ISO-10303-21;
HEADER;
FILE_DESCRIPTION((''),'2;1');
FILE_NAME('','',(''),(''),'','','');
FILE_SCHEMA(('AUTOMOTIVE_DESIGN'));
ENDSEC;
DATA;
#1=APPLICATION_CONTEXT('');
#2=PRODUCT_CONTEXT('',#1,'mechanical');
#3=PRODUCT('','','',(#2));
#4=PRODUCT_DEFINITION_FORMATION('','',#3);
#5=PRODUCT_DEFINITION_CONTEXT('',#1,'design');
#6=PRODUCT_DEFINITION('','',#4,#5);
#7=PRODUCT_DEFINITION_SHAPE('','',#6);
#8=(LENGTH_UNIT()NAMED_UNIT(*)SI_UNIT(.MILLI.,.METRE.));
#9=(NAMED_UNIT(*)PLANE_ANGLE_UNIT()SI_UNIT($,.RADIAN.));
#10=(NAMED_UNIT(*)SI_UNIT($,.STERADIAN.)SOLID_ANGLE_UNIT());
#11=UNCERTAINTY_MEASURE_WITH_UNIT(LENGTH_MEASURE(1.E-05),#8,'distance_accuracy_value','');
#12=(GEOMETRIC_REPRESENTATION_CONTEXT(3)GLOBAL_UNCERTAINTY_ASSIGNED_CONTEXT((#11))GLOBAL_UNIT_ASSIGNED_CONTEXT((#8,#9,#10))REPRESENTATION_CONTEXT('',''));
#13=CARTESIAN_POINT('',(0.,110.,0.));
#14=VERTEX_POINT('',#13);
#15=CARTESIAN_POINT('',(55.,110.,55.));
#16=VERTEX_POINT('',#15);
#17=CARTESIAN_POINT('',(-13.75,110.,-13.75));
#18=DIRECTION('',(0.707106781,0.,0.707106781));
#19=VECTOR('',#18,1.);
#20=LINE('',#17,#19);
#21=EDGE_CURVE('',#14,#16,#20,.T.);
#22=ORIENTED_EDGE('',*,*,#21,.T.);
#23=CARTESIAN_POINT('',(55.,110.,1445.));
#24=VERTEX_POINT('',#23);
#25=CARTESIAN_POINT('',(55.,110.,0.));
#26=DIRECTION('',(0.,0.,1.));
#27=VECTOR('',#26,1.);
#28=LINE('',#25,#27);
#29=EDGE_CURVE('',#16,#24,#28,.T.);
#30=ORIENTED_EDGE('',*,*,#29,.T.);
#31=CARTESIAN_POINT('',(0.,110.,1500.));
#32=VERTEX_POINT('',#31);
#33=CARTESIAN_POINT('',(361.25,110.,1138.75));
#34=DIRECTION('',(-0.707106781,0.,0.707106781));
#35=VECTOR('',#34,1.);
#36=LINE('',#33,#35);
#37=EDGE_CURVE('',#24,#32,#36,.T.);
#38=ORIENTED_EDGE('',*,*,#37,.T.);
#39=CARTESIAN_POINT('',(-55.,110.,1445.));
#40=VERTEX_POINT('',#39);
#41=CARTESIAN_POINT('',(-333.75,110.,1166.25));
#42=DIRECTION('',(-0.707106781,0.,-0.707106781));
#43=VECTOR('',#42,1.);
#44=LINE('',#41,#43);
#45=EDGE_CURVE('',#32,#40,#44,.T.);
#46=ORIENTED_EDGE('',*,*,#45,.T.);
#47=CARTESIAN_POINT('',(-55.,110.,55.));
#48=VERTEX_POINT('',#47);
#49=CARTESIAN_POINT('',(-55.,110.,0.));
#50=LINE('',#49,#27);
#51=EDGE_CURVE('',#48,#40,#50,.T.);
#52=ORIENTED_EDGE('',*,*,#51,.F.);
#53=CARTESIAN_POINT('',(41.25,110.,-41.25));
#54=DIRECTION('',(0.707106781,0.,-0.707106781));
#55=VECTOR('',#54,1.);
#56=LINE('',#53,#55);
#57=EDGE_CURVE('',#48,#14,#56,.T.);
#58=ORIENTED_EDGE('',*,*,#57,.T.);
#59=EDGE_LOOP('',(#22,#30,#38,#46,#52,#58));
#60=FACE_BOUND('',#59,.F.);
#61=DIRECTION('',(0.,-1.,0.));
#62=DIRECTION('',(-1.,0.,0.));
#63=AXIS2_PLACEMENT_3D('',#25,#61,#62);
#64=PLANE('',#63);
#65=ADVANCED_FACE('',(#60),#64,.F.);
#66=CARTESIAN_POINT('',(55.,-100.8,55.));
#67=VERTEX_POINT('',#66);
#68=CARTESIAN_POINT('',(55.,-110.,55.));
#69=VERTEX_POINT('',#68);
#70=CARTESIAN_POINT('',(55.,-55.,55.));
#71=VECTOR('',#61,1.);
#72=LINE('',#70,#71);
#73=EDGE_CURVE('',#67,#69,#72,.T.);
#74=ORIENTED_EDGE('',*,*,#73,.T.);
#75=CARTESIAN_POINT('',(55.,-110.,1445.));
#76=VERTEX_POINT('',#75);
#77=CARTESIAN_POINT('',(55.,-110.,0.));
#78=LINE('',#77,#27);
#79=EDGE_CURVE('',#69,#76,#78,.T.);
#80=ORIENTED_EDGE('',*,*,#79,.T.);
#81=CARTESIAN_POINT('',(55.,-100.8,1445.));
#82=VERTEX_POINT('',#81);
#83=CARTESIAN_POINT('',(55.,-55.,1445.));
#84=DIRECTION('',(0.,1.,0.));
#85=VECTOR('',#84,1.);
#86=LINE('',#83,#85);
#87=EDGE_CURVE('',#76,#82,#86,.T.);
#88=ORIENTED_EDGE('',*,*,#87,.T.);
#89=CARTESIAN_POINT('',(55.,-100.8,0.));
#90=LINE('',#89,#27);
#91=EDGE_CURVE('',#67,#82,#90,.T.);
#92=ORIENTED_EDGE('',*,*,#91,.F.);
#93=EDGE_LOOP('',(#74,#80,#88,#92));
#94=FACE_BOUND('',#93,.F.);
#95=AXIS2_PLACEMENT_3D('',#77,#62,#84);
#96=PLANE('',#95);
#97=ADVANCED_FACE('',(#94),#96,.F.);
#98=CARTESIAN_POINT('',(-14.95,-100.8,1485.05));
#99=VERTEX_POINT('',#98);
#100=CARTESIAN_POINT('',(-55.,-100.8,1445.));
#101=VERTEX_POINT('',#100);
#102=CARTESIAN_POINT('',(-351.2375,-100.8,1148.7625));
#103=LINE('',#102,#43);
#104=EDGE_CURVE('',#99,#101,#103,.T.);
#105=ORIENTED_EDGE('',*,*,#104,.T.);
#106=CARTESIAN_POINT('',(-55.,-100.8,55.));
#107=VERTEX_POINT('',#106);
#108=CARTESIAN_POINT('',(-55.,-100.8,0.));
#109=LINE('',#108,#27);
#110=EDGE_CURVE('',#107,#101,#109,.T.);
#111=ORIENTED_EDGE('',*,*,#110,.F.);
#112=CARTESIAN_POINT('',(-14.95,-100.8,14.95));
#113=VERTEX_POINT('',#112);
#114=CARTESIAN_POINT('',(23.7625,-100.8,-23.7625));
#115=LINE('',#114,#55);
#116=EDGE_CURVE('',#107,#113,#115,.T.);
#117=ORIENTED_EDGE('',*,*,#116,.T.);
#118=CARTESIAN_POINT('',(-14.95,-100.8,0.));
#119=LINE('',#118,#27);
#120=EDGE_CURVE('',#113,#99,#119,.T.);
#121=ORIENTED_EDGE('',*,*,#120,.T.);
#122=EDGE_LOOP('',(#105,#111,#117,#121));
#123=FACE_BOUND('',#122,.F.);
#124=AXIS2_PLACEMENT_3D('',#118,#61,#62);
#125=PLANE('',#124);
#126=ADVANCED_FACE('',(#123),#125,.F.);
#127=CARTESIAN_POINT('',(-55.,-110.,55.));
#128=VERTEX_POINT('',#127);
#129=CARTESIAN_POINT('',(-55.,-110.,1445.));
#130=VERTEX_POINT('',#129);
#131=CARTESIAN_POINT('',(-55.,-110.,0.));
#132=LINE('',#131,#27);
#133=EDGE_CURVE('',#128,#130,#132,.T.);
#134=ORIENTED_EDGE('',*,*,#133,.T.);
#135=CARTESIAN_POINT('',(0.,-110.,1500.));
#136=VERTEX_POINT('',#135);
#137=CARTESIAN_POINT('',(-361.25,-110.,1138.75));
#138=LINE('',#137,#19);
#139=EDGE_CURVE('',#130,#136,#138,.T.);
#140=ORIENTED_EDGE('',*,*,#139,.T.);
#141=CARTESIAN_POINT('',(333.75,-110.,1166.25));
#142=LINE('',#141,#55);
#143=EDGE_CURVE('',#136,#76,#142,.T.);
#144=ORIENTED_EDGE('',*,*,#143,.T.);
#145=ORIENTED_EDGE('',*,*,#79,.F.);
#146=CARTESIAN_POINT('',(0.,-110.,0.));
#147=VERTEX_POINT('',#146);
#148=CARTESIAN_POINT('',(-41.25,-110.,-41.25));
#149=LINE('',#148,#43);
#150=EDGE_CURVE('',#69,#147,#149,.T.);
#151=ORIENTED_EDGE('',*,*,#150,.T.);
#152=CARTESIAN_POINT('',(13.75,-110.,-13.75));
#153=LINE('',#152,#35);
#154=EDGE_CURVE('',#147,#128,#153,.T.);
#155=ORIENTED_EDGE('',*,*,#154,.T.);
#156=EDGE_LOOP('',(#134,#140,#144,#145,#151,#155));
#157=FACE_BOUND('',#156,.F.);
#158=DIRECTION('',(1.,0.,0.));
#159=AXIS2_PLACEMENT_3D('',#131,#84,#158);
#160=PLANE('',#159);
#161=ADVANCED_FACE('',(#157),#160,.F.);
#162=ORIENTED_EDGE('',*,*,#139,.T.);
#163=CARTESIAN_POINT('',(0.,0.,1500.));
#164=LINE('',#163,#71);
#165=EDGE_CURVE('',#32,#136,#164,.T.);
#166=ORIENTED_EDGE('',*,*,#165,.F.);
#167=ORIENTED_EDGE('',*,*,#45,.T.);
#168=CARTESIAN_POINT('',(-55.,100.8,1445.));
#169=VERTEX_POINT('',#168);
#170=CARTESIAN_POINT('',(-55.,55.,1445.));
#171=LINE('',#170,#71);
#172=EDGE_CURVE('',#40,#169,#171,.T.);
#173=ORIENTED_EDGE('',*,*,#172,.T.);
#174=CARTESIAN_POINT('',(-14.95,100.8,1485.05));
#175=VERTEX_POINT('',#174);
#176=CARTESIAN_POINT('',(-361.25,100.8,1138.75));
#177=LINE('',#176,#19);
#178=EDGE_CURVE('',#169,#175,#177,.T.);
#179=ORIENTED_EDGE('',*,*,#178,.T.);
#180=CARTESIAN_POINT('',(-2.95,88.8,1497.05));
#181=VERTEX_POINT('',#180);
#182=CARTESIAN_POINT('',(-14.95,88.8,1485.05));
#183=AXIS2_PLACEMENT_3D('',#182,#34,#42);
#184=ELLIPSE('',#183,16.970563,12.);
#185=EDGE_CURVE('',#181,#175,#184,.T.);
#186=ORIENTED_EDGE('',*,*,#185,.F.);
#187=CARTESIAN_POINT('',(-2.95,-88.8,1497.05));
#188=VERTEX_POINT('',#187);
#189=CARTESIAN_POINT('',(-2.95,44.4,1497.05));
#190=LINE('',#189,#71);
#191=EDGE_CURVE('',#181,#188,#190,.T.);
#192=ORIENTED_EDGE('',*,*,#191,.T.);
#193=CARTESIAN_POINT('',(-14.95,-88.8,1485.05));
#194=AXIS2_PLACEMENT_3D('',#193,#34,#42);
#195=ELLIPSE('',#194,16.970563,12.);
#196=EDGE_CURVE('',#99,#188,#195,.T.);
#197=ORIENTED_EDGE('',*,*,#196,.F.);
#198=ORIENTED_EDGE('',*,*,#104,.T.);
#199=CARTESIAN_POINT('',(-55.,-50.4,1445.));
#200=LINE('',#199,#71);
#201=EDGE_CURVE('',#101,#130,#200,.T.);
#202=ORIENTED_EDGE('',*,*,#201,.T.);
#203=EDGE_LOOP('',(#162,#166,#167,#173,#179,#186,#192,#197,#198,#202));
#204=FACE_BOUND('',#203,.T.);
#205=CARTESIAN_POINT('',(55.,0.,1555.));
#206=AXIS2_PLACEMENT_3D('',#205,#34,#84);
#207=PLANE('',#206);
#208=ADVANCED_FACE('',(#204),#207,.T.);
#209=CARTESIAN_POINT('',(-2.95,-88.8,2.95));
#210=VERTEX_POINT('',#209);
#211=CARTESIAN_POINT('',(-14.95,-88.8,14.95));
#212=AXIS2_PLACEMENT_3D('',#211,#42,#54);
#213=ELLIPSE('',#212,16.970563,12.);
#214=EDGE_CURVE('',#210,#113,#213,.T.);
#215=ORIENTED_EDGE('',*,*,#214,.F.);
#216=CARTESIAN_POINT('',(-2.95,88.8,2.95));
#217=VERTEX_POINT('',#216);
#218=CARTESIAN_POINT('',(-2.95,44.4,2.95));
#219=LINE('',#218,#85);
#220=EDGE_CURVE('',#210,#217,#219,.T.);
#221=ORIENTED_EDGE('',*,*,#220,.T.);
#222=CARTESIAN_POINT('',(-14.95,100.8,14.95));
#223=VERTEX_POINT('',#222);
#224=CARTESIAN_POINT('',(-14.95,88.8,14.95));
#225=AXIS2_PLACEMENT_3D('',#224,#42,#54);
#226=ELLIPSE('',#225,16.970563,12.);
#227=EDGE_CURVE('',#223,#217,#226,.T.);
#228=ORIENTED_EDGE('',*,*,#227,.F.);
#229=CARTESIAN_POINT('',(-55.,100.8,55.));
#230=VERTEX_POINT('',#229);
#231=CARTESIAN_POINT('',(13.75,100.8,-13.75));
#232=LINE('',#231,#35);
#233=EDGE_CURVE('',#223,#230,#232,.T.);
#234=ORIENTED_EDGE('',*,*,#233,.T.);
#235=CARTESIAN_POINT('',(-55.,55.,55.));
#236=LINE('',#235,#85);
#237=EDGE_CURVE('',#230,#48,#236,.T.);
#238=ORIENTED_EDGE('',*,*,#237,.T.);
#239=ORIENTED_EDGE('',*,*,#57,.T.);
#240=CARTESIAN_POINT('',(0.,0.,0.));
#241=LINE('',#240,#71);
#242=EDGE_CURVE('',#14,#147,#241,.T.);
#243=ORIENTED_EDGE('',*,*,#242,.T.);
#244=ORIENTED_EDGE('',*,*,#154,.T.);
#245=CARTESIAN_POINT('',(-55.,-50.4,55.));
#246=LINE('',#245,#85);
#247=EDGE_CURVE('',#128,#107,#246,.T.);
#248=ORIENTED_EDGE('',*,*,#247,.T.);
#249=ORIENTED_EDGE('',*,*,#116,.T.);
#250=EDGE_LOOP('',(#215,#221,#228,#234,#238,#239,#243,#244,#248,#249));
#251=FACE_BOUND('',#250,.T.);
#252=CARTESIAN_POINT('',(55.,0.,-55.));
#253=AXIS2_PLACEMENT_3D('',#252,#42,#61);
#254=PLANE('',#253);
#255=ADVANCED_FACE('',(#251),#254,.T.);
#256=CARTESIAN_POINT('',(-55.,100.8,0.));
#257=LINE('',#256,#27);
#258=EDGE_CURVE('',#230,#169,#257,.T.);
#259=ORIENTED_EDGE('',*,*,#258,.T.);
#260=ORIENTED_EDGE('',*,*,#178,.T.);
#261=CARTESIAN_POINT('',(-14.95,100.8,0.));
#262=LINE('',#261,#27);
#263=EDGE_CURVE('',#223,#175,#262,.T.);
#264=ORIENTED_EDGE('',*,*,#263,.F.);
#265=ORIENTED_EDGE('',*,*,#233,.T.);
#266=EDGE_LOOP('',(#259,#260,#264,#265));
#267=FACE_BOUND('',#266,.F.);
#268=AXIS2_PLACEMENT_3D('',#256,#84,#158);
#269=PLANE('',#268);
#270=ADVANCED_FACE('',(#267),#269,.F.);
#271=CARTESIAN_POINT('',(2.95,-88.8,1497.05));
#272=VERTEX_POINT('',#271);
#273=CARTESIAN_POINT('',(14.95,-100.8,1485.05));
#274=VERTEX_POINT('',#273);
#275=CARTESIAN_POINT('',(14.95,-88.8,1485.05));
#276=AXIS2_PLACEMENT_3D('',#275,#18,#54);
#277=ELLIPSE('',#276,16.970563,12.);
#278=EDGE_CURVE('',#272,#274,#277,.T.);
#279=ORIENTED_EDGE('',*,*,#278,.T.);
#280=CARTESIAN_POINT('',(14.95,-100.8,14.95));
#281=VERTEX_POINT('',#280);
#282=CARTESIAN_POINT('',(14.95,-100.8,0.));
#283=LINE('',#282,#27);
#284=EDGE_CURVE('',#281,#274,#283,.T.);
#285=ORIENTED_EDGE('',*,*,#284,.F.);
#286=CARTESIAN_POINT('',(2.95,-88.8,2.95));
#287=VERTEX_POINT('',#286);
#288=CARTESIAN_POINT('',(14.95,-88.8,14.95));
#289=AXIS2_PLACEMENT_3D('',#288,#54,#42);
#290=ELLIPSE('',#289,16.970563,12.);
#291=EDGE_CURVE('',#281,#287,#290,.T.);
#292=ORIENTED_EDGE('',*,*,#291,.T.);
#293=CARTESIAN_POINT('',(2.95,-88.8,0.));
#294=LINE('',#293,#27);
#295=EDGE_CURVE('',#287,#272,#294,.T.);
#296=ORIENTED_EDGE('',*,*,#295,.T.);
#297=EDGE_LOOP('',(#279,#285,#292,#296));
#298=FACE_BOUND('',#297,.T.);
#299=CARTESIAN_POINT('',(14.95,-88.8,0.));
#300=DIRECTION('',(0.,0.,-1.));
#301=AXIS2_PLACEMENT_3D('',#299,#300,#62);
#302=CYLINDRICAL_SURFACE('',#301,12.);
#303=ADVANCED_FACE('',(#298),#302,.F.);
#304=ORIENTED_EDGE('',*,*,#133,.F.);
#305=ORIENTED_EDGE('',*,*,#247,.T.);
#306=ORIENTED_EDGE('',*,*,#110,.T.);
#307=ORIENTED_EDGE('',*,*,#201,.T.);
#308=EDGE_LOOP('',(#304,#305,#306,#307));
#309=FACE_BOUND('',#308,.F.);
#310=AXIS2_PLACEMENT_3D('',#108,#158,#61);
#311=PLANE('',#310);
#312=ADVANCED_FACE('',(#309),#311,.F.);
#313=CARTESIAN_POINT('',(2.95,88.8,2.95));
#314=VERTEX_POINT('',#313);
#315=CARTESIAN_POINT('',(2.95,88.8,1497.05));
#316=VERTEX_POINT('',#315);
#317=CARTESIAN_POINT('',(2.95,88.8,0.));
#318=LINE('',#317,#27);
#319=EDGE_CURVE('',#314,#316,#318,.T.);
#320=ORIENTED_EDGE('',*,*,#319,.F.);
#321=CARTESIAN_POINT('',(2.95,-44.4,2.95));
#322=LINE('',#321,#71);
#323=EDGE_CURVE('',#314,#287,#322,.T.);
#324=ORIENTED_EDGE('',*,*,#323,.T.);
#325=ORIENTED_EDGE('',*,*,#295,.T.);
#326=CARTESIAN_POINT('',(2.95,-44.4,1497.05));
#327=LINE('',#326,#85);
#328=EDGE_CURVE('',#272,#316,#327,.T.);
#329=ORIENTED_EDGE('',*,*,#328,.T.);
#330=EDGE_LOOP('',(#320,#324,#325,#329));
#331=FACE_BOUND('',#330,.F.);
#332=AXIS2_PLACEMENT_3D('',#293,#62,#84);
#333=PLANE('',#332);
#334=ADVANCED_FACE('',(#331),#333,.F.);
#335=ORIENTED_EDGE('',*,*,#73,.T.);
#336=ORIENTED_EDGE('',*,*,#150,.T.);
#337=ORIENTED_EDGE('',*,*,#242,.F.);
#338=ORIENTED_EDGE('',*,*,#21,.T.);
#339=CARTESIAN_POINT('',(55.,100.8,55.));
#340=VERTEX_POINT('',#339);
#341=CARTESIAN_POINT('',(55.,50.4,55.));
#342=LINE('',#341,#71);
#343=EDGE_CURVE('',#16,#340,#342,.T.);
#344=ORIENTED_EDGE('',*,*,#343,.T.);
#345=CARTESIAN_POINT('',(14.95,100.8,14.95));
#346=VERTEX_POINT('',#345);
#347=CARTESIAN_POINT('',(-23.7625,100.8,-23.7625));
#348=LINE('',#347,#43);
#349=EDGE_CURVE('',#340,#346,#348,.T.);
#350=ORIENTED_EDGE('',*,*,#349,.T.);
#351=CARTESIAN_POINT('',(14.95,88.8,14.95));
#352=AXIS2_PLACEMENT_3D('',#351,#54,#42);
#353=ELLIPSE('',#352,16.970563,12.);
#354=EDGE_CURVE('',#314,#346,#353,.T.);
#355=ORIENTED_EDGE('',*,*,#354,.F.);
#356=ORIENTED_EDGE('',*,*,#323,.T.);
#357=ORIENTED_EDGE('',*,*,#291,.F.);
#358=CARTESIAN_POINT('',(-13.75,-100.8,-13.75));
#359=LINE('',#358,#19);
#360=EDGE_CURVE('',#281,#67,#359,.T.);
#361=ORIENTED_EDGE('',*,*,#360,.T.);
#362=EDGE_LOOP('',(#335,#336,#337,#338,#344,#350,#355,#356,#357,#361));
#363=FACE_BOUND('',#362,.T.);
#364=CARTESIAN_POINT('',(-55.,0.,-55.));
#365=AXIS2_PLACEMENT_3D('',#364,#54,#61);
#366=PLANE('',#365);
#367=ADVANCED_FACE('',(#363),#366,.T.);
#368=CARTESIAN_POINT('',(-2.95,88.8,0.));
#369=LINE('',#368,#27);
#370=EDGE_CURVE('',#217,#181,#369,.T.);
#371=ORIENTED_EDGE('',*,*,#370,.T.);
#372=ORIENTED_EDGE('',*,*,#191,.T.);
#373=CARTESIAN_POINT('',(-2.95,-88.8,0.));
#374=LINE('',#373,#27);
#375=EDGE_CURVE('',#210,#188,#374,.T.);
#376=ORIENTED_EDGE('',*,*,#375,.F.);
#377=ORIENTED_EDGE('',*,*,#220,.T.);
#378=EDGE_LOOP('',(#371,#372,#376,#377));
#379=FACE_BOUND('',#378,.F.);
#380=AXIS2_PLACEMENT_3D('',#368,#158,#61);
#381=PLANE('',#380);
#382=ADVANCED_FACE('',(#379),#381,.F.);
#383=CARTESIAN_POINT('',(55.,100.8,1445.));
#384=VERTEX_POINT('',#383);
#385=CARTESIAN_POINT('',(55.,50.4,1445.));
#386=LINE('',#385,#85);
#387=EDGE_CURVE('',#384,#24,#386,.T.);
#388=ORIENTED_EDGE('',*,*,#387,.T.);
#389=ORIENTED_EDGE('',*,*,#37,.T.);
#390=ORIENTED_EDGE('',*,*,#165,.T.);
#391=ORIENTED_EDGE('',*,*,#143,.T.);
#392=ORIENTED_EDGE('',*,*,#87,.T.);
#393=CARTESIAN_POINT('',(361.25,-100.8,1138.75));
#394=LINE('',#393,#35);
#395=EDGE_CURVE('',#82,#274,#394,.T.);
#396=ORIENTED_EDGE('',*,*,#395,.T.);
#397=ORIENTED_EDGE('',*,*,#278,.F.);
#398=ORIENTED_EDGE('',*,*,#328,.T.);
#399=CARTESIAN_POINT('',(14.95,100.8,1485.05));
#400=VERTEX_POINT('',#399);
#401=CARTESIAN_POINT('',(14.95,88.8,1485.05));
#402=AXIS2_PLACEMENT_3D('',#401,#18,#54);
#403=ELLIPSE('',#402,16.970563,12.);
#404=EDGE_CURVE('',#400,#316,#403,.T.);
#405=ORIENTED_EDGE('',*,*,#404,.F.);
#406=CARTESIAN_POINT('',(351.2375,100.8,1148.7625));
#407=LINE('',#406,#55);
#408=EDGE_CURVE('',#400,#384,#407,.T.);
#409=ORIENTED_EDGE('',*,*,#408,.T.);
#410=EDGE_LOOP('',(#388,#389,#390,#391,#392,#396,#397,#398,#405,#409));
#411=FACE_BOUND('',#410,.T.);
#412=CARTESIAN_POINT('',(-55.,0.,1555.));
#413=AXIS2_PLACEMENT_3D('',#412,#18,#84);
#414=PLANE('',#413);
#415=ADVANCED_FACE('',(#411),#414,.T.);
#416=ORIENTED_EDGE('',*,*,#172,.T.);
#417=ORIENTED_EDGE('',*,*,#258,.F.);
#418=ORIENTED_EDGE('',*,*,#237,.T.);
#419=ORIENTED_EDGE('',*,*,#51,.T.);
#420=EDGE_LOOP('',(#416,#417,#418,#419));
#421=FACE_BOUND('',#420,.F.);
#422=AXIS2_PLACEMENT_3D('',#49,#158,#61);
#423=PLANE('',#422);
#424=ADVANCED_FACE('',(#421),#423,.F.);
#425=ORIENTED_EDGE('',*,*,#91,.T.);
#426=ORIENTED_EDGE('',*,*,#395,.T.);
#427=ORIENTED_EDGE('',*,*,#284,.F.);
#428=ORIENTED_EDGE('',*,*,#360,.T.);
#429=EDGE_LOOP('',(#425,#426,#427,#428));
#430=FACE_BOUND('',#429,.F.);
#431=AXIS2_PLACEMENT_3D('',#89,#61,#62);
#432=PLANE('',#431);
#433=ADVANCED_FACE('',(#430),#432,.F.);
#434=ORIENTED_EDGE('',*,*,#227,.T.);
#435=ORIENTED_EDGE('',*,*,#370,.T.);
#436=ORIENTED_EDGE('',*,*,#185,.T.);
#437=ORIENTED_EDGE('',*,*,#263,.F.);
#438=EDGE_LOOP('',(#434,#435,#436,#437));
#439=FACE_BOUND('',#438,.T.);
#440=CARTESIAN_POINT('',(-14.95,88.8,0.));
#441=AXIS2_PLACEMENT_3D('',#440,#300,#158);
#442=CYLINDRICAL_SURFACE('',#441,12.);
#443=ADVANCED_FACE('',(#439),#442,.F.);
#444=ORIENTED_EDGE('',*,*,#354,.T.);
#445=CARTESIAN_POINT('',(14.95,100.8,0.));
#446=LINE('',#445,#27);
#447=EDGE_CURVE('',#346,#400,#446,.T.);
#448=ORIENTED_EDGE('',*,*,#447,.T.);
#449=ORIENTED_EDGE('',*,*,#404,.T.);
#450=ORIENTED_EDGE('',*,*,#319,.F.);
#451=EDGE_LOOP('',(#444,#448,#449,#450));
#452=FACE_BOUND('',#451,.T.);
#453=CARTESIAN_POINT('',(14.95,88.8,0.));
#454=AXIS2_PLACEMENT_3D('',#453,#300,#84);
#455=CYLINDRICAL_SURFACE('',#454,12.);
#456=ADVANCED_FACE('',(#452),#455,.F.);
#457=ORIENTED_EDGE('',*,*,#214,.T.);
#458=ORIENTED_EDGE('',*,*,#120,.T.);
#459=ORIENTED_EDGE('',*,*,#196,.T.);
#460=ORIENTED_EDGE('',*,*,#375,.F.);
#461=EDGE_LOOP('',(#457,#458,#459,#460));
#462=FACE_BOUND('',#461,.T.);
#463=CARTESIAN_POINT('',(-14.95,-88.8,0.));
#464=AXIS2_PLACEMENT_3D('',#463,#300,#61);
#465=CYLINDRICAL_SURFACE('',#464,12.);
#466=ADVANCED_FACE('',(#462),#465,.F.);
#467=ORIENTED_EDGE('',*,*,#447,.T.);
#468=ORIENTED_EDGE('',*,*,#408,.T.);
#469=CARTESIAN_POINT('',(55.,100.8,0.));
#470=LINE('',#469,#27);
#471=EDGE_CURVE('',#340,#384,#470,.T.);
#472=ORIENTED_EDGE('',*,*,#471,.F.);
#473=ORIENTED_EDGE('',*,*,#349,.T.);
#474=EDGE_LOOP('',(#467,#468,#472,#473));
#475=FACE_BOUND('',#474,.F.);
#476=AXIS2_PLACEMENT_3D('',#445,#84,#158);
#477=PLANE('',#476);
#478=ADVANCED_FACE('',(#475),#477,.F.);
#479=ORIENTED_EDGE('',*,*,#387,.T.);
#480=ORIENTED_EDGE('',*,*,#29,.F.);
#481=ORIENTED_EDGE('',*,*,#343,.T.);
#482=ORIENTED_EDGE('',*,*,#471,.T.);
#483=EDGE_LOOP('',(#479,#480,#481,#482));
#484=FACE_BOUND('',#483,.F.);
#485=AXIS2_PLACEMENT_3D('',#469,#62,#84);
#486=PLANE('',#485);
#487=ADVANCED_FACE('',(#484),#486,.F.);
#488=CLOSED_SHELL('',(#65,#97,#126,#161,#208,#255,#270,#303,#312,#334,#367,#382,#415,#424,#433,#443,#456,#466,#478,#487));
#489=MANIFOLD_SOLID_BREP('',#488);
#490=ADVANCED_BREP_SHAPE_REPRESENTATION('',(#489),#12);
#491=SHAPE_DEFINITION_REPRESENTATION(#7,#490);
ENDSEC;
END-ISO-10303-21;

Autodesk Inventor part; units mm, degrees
ref_plane "Start plane" through (0, 0, 0) normal (0, 0, 1) x (1, 0, 0)
ref_plane "End plane" through (0, 0, 1500) normal (0, 0, 1) x (1, 0, 0)
sketch "Sketch2" plane through (0, 0, 0) normal (0, 0, 1) x (1, 0, 0)
  line L0 (-55, 100.8) -> (-14.95, 100.8)
  line L1 (-55, 110) -> (-55, 100.8)
  line L2 (55, 110) -> (-55, 110)
  line L3 (55, 100.8) -> (55, 110)
  line L4 (14.95, 100.8) -> (55, 100.8)
  line L5 (2.95, -88.8) -> (2.95, 88.8)
  line L6 (55, -100.8) -> (14.95, -100.8)
  line L7 (55, -110) -> (55, -100.8)
  line L8 (-55, -100.8) -> (-55, -110)
  line L9 (-14.95, -100.8) -> (-55, -100.8)
  line L10 (-2.95, 88.8) -> (-2.95, -88.8)
  line L11 (0, -154) -> (0, 154) construction
  line L12 (-2.95, -100.8) -> (2.95, -100.8) construction
  arc A0 (-14.95, -100.8) -> (-2.95, -88.8) centre (-14.95, -88.8) ccw
  arc A1 (-2.95, 88.8) -> (-14.95, 100.8) centre (-14.95, 88.8) ccw
  arc A2 (14.95, 100.8) -> (2.95, 88.8) centre (14.95, 88.8) ccw
  arc A3 (2.95, -88.8) -> (14.95, -100.8) centre (14.95, -88.8) ccw
  line L13 (-77, 0) -> (77, 0) construction
  line L14 (-55, -110) -> (55, -110)
  point P0 (-2.95, 100.8)
  point P1 (2.95, 100.8)
  point P2 (0, 0)
  point P3 (0, -100.8)
  point P4 (0, 0)
  dimension "d1" = 220
  dimension "d3" = 9.2
  dimension "d5" = 5.9
  dimension "d7" = 110
  dimension "d13" = 12
  dimension "d14" = 110
  dimension "d15" = 55
extrude "Body" add sketch "Sketch2" along normal up to surface (1500 mm away) from surface at 0
sketch "Sketch3" plane through (0, 0, 0) normal (0, 0, 1) x (1, 0, 0)
  line L0 (0, 0) -> (10, 0)
ref_plane "Work Plane3" through (0, 0, 0) normal (0, -1, 0) x (1, 0, 0)
ref_plane "Work Plane4" through (55, 0, -55) normal (-0.7071, 0, -0.7071) x (-0.7071, 0, 0.7071)
split "Split1" plane through (55, 0, -55) removes the side toward (-0.7071, 0, -0.7071)
ref_plane "Work Plane5" through (55, 0, 1555) normal (-0.7071, 0, 0.7071) x (0.7071, 0, 0.7071)
split "Split2" plane through (55, 0, 1555) removes the side toward (-0.7071, 0, 0.7071)
ref_plane "Work Plane6" through (-55, 0, 1555) normal (0.7071, 0, 0.7071) x (0.7071, 0, -0.7071)
split "Split3" plane through (-55, 0, 1555) removes the side toward (0.7071, 0, 0.7071)
ref_plane "Work Plane7" through (-55, 0, -55) normal (0.7071, 0, -0.7071) x (-0.7071, 0, -0.7071)
split "Split4" plane through (-55, 0, -55) removes the side toward (0.7071, 0, -0.7071)
sketch "Sketch4" plane through (0, 0, 0) normal (0, -1, 0) x (1, 0, 0)
  line L0 (-2, 0) -> (12, 0) projected
  line L1 (-2, 1500) -> (12, 1500) projected
  dimension "d19" = 1500
equation "\"d1\" = ParH"
equation "\"d3\" = t2"
equation "\"d5\" = t1"
equation "\"d7\" = b"
equation "\"d13\" = R1"
equation "\"d14\" = 0.5 * d1"
equation "\"d15\" = 0.5 * d7"
equation "\"d8\" = G_L"
equation "\"b\" = 110"
equation "\"ParH\" = 220"
equation "\"R1\" = 12"
equation "\"G_L\" = d19"
equation "\"t1\" = 5.9"
equation "\"t2\" = 9.2"
equation "\"G_OFFSET_START\" = 0"
equation "\"G_OFFSET_END\" = 0"
properties part number "DIN 1025 - IPE 220-1500" material "Steel, Mild"
